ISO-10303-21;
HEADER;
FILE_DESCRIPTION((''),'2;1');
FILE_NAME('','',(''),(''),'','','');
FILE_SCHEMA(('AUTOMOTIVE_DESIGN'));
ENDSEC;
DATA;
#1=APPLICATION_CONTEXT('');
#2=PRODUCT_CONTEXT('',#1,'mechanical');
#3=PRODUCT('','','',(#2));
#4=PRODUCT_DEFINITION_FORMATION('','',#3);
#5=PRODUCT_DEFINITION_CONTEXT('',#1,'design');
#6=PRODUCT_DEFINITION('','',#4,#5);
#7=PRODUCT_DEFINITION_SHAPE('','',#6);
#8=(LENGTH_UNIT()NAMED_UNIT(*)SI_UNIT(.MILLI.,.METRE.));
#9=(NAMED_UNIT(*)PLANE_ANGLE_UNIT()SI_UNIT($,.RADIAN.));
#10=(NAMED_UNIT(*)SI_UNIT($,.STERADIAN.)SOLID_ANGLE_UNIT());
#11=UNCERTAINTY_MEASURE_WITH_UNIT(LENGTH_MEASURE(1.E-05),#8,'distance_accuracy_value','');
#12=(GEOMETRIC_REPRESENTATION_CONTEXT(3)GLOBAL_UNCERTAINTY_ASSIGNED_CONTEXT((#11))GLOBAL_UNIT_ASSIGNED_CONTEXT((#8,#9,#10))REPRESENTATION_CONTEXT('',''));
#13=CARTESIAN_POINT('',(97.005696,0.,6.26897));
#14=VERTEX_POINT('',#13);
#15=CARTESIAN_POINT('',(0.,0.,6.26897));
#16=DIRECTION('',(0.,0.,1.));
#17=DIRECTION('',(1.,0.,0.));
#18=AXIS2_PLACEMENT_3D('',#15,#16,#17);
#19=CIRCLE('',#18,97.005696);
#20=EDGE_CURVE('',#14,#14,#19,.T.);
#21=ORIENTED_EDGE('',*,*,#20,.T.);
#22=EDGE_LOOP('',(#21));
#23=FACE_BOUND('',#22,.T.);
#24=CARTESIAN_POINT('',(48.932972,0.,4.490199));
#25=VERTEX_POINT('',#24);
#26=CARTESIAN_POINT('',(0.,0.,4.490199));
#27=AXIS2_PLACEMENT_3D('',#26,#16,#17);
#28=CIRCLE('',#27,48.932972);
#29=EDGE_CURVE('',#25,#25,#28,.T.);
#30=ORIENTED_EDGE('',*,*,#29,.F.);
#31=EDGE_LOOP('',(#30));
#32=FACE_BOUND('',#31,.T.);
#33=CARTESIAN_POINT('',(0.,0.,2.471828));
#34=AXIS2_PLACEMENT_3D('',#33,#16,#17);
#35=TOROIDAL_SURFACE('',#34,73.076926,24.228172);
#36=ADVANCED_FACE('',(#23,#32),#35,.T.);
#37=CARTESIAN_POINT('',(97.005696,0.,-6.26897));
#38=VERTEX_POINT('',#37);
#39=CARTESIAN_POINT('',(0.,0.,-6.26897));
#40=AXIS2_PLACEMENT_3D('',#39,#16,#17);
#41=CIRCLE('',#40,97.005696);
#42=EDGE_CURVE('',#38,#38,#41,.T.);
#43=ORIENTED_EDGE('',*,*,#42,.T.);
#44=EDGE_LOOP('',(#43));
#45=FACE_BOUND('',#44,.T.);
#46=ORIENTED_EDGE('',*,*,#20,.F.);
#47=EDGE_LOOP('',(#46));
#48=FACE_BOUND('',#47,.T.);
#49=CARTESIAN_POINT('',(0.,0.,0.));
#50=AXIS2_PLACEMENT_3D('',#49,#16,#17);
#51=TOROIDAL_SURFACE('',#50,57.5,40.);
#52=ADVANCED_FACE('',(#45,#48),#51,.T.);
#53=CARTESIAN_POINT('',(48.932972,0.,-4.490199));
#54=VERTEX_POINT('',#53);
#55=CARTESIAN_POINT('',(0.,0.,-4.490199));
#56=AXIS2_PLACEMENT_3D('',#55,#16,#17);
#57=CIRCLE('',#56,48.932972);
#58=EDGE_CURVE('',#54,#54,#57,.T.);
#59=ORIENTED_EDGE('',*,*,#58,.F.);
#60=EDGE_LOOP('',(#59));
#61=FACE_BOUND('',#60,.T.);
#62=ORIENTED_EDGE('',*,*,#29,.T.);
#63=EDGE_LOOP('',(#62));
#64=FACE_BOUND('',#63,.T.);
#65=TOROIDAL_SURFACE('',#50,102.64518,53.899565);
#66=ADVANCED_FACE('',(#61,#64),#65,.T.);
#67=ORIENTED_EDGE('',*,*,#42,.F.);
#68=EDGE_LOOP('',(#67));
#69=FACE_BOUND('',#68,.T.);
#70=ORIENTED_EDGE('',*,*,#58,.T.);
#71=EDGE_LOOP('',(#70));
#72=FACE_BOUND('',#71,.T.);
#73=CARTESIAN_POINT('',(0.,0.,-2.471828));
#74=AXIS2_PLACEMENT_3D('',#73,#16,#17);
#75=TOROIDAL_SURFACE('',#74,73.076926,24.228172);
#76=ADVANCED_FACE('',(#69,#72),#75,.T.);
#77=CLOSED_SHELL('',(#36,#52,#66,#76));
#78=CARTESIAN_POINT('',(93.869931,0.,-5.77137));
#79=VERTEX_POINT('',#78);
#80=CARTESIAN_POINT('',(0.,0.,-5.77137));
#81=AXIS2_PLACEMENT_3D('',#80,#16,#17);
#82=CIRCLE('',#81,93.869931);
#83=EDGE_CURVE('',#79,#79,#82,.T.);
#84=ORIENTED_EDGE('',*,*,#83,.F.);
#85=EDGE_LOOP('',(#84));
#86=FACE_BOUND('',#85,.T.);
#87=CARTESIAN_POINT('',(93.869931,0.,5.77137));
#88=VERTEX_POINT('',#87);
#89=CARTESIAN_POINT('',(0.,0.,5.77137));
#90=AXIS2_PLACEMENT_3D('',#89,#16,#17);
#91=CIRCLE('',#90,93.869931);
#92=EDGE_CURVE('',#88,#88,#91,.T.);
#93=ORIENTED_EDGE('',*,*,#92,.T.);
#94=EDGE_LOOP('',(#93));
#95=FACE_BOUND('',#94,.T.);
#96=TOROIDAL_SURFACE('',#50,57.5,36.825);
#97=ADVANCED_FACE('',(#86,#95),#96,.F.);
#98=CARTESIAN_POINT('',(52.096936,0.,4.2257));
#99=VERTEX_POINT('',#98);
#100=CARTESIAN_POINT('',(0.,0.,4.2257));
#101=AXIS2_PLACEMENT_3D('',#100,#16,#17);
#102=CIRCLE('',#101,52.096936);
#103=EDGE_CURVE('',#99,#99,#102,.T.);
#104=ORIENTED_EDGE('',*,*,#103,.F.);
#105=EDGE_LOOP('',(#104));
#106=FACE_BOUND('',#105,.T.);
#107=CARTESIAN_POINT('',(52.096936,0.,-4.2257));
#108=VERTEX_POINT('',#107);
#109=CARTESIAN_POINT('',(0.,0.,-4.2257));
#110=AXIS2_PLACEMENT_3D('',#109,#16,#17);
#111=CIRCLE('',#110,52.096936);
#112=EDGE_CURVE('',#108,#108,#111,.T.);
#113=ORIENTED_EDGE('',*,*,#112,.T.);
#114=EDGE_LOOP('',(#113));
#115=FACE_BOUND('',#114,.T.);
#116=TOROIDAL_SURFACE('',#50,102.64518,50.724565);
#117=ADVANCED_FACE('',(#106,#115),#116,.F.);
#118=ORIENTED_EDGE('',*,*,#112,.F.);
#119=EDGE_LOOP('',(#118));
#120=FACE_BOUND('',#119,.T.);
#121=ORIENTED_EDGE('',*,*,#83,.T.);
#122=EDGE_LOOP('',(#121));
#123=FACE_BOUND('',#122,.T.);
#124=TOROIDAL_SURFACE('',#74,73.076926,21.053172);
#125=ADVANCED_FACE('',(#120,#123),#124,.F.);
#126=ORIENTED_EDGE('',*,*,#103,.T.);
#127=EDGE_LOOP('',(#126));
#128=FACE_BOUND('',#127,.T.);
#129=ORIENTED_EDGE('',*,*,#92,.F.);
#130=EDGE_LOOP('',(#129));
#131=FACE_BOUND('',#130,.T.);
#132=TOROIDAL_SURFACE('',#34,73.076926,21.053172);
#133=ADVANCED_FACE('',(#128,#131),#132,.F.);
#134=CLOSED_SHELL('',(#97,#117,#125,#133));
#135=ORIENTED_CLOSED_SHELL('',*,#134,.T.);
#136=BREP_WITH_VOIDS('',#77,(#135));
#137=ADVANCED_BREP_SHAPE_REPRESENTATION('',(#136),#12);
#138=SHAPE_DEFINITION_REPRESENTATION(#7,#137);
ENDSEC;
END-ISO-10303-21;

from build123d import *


with BuildPart() as part:
    # Sketch4 → Revolve2 (revolve)
    with BuildSketch(Plane(origin=(0, 0, 0), x_dir=(0, 0, -1), z_dir=(1, 0, 0))):
        with BuildLine():
            ThreePointArc((-6.268969855, 97.005696007), (0, 97.5), (6.268969855, 97.005696007))
            ThreePointArc((6.268969855, 97.005696007), (20.897382604, 88.809162161), (26.7, 73.076925894))
            ThreePointArc((26.7, 73.076925894), (20.303061092, 56.674138111), (4.490198521, 48.932972066))
            ThreePointArc((4.490198521, 48.932972066), (0, 48.745614473), (-4.490198521, 48.932972066))
            ThreePointArc((-4.490198521, 48.932972066), (-20.303061092, 56.674138111), (-26.7, 73.076925894))
            ThreePointArc((-26.7, 73.076925894), (-20.897382604, 88.809162161), (-6.268969855, 97.005696007))
        make_face()
        with BuildLine():
            ThreePointArc((-5.771370373, 93.869931386), (0, 94.325), (5.771370373, 93.869931386))
            ThreePointArc((5.771370373, 93.869931386), (18.482791193, 86.747518806), (23.525, 73.076925894))
            ThreePointArc((23.525, 73.076925894), (17.966353015, 58.82365442), (4.225699536, 52.096935607))
            ThreePointArc((4.225699536, 52.096935607), (0, 51.920614473), (-4.225699536, 52.096935607))
            ThreePointArc((-4.225699536, 52.096935607), (-17.966353015, 58.82365442), (-23.525, 73.076925894))
            ThreePointArc((-23.525, 73.076925894), (-18.482791193, 86.747518806), (-5.771370373, 93.869931386))
        make_face(mode=Mode.SUBTRACT)
    revolve(axis=Axis((0, 0, 66.289038377), (0, 0, -1)))


solid = part.part
